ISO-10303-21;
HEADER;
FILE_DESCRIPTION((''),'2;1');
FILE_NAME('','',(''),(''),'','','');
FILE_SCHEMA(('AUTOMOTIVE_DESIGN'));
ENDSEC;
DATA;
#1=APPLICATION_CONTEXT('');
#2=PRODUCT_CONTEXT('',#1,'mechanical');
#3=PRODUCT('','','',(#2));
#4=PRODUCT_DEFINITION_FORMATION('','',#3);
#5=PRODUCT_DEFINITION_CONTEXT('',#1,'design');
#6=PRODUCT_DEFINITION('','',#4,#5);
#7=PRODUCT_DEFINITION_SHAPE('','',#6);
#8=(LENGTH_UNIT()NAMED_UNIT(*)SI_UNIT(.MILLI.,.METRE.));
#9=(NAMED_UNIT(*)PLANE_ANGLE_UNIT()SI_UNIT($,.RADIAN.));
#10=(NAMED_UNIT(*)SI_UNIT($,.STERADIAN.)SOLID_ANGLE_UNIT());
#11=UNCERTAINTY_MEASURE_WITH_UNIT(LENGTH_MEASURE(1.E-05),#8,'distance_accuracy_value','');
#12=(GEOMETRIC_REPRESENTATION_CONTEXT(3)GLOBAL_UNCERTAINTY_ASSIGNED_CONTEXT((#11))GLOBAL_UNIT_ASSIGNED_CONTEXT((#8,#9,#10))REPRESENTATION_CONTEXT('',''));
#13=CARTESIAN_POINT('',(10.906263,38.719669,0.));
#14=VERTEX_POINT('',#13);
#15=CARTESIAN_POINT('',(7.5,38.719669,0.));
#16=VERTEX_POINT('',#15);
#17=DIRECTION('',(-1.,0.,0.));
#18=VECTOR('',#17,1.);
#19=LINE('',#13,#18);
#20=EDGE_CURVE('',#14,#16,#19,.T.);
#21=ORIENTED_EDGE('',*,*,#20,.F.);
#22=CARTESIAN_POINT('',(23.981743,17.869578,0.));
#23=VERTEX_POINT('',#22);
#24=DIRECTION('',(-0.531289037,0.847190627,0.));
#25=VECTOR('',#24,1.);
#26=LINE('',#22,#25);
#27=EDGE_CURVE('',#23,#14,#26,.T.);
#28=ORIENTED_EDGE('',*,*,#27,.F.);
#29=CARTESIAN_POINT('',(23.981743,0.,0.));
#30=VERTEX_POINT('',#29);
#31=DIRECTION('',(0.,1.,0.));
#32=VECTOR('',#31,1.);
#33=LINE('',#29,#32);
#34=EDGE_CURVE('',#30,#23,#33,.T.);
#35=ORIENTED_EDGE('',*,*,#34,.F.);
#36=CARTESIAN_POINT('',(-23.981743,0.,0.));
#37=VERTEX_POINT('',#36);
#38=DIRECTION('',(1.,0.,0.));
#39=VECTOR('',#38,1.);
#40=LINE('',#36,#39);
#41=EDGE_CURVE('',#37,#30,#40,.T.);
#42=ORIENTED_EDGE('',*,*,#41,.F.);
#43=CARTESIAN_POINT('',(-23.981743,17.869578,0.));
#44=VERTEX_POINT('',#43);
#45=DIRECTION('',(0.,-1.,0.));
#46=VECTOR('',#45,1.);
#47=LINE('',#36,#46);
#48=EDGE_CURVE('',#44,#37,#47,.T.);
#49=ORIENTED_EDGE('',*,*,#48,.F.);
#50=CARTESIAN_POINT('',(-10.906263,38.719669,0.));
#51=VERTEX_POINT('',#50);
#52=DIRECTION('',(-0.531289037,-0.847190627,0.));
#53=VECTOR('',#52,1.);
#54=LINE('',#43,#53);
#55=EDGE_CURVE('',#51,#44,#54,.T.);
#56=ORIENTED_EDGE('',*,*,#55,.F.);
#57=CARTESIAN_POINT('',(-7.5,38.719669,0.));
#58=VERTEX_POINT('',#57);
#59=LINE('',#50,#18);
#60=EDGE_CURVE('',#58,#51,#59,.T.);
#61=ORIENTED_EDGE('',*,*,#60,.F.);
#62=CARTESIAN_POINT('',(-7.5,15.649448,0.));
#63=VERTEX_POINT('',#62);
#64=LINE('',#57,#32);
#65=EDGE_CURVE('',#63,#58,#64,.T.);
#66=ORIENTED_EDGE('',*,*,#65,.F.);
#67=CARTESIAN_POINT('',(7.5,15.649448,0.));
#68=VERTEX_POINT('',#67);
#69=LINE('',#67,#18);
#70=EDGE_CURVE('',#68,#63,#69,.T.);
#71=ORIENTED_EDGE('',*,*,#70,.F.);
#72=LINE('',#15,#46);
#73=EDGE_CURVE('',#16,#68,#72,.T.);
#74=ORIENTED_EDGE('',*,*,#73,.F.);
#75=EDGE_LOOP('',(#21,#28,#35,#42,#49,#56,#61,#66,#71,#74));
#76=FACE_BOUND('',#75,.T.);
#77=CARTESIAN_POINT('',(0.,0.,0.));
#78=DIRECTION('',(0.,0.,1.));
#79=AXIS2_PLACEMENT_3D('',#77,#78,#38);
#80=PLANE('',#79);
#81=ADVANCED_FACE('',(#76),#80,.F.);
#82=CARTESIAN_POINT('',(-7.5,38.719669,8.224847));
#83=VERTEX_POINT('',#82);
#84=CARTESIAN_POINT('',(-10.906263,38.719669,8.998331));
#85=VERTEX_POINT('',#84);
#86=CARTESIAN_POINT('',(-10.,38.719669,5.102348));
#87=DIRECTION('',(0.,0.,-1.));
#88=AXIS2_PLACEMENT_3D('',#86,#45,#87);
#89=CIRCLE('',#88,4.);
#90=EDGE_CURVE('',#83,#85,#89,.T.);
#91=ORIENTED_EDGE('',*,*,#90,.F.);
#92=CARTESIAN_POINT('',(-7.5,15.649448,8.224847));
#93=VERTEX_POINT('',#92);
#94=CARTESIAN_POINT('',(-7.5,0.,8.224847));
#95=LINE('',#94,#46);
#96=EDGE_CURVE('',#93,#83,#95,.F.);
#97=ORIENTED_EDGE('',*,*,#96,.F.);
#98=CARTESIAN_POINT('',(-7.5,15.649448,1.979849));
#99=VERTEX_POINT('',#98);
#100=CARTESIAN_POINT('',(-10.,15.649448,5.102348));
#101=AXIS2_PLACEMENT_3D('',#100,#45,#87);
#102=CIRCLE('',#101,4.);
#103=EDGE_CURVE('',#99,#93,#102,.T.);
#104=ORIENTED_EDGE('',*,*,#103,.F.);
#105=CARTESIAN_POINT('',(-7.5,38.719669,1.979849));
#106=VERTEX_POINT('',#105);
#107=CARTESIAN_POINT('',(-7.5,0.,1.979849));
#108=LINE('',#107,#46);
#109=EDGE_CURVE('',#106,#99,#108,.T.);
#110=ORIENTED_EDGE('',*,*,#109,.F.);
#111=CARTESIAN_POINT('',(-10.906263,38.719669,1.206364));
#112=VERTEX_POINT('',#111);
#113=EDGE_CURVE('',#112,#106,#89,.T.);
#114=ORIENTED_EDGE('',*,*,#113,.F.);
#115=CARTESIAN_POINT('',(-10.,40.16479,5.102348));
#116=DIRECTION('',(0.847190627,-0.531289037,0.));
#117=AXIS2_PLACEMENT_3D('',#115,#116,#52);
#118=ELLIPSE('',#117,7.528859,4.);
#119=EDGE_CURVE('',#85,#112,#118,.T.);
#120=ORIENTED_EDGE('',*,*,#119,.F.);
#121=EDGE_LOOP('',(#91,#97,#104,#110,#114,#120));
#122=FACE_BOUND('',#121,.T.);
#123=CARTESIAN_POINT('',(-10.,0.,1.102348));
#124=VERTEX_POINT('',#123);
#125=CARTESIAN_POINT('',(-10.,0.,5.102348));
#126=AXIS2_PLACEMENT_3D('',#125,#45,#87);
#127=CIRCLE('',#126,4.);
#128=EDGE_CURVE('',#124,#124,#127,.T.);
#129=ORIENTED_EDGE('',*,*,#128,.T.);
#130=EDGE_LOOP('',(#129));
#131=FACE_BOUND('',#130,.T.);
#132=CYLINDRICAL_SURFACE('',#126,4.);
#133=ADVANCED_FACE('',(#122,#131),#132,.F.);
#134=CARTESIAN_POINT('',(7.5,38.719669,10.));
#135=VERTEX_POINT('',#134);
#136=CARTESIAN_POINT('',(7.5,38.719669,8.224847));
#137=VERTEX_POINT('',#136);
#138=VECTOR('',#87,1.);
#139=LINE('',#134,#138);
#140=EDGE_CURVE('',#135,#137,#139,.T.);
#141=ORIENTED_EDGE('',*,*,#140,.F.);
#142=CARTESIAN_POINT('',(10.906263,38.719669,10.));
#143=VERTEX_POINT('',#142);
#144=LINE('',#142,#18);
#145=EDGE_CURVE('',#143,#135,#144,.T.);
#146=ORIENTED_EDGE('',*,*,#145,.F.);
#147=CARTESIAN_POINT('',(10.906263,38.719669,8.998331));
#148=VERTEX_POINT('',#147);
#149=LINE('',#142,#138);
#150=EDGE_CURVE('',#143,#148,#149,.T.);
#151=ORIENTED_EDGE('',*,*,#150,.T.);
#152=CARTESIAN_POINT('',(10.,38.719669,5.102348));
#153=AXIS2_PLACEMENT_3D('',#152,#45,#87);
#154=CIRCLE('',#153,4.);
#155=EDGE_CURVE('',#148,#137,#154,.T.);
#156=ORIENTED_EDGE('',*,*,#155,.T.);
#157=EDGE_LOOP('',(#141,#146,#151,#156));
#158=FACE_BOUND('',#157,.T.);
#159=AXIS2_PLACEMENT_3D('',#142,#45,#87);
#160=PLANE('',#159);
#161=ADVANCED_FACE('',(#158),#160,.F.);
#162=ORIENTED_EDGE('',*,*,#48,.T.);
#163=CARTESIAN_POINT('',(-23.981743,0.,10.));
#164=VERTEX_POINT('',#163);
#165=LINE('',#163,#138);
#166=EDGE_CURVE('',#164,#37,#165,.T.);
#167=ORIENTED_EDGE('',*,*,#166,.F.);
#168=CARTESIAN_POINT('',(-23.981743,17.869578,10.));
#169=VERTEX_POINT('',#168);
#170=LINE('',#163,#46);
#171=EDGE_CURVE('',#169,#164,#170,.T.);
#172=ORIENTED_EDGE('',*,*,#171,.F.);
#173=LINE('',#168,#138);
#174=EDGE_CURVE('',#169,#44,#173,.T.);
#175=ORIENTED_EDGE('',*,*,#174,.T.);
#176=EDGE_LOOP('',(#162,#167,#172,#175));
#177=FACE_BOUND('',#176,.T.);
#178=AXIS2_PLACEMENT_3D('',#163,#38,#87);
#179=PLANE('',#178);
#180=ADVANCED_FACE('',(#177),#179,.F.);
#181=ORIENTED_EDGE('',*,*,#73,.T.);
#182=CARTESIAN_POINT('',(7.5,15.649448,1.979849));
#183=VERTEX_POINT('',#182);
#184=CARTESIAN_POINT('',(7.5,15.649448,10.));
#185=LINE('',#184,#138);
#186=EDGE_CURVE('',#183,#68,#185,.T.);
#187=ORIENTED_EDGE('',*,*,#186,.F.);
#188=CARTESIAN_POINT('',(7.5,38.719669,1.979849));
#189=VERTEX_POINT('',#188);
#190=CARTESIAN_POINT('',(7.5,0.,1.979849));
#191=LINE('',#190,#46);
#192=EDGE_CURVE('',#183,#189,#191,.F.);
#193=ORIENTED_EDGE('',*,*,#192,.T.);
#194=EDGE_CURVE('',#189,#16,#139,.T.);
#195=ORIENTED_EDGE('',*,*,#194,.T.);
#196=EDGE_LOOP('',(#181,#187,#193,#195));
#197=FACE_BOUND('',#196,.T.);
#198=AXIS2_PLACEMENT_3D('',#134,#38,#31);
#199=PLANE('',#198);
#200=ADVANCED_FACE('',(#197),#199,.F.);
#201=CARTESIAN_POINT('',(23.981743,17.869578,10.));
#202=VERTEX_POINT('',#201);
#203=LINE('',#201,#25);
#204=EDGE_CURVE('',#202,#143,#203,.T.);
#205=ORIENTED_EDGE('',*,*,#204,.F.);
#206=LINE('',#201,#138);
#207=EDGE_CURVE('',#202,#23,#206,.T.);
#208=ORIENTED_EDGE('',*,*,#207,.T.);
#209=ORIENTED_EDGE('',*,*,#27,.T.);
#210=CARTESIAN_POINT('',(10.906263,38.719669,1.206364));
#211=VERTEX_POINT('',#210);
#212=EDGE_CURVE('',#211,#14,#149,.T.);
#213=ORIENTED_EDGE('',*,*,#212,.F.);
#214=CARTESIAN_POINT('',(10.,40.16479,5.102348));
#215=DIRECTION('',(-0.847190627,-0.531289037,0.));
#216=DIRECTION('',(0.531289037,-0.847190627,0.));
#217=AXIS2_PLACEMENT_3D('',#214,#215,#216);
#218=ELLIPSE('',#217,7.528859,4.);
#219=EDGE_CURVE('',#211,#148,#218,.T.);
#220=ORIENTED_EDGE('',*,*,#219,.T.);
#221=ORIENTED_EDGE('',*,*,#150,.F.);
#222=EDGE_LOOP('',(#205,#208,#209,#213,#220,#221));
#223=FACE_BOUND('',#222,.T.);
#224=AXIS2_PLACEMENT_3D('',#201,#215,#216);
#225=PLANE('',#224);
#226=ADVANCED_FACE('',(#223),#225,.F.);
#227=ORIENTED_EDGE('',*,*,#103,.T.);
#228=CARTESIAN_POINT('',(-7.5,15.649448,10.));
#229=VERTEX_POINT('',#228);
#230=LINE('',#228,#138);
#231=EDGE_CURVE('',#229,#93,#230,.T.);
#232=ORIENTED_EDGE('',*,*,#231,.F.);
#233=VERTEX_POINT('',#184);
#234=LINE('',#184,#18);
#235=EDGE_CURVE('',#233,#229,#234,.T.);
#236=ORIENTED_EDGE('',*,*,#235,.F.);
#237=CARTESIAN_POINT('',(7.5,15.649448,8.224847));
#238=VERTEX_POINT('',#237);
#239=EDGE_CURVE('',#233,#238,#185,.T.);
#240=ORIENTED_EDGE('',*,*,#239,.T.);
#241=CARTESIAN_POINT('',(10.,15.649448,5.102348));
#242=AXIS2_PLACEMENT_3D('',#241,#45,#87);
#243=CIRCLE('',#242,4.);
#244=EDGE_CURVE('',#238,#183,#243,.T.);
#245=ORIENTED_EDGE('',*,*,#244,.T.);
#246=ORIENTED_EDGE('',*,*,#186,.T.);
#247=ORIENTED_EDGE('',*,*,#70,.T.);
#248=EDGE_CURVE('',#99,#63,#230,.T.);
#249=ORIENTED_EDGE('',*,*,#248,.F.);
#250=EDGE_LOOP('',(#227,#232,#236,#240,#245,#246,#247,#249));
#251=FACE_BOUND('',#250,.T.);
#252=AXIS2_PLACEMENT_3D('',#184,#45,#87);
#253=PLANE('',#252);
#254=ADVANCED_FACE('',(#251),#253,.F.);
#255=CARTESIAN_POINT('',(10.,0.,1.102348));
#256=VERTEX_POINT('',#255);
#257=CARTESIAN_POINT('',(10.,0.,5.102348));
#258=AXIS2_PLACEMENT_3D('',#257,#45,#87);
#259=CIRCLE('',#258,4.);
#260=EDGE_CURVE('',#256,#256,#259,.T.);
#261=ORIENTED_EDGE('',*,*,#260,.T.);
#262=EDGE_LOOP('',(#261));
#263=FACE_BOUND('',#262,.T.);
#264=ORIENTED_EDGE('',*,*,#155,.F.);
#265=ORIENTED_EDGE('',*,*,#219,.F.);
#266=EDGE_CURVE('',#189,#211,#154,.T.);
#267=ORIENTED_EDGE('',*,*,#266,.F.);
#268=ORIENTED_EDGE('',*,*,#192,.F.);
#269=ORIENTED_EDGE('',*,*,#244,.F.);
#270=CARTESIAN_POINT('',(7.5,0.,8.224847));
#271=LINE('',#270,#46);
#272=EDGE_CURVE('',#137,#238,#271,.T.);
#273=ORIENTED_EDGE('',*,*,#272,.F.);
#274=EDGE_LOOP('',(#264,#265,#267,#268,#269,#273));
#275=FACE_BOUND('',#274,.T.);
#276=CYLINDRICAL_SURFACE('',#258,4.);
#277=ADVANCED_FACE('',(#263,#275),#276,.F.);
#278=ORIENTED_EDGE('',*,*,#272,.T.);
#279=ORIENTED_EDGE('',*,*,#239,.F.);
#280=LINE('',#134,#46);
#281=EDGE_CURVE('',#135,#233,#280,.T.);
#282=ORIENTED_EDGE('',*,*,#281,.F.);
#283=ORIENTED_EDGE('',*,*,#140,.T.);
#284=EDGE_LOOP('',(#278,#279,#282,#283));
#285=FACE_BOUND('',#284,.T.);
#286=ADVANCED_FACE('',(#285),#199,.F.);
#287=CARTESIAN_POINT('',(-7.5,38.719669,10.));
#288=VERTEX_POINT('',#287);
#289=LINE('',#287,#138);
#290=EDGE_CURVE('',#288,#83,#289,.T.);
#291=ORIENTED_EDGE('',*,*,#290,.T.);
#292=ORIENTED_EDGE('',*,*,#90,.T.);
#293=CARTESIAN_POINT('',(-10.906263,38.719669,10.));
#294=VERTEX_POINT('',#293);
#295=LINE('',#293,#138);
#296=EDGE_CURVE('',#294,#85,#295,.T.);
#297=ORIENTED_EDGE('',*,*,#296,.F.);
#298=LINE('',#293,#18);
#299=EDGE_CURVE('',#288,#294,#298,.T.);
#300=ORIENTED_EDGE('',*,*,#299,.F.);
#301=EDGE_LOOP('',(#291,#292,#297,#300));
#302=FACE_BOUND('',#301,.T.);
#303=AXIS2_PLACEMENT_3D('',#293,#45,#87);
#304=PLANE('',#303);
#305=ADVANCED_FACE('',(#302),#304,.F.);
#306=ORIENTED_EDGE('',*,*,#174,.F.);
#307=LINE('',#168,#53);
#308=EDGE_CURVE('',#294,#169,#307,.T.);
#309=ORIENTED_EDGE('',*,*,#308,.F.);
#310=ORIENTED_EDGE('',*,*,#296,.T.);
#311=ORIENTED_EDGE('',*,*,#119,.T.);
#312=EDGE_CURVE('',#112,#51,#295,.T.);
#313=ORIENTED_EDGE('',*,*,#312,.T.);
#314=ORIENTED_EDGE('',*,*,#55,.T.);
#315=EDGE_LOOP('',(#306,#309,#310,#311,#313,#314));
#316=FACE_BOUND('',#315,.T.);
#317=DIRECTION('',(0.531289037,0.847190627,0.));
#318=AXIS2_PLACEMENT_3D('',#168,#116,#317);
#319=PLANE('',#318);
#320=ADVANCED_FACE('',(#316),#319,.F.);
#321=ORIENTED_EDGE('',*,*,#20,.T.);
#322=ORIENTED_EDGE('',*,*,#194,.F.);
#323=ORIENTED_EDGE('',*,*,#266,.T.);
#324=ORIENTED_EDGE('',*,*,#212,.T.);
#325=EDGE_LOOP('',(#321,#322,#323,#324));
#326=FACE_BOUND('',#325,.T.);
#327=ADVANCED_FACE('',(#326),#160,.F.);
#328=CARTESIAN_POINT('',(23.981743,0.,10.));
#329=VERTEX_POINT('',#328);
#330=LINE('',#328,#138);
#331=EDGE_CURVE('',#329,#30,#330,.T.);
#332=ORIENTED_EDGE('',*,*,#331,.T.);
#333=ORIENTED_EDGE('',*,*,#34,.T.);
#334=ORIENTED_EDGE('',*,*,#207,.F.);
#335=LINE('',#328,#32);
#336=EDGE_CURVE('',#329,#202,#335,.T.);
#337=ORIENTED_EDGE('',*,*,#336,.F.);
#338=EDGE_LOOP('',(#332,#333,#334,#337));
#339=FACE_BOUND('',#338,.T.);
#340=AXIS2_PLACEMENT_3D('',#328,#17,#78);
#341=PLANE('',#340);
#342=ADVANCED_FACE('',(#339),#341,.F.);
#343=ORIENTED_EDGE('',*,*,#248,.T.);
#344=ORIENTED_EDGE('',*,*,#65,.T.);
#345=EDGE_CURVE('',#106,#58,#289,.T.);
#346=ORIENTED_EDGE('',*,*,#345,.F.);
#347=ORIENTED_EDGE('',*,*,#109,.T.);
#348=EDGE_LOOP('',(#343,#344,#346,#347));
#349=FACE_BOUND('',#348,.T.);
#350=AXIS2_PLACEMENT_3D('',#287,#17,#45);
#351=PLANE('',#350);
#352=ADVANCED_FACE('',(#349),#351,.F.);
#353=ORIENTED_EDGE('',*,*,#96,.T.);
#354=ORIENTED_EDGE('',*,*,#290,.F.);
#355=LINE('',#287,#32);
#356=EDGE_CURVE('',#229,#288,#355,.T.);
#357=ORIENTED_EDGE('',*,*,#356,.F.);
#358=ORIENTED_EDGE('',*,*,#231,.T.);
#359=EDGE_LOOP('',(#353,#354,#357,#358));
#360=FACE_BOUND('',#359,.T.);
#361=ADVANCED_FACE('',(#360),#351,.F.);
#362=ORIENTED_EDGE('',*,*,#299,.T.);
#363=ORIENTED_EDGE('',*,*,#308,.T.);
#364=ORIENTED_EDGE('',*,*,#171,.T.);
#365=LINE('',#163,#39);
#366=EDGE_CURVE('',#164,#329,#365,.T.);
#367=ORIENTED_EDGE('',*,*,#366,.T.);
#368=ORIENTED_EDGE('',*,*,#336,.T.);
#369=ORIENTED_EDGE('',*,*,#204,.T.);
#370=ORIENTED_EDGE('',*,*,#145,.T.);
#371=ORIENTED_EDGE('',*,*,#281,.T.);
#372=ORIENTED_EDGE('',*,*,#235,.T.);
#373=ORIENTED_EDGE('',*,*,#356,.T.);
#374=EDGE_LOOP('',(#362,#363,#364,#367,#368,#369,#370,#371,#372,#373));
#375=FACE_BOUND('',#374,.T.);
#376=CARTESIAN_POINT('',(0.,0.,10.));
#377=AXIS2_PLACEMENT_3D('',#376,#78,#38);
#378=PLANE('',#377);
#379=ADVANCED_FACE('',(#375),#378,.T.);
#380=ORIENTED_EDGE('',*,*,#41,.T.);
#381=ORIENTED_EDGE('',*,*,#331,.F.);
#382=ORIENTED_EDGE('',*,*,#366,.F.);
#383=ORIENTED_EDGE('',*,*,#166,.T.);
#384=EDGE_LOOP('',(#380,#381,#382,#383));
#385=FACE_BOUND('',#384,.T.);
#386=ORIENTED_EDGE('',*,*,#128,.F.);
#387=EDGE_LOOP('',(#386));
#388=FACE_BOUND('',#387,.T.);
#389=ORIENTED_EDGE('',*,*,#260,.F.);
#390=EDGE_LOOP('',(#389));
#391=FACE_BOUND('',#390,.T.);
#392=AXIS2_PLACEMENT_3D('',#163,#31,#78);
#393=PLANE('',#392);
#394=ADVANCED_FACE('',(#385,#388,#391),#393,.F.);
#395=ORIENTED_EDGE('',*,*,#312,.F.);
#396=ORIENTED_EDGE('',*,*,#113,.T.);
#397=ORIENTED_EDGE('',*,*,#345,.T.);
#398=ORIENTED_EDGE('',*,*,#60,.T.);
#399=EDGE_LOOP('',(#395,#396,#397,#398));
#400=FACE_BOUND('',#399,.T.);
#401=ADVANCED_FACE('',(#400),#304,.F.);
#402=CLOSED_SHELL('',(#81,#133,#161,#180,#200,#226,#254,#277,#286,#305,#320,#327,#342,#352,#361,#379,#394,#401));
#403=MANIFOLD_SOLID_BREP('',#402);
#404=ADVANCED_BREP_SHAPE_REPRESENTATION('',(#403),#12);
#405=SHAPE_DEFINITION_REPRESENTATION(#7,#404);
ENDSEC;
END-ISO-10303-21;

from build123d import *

# Parameters (mm, degrees)
BOSS_EXTRUDE1_DEPTH   = 10
F_8_0MM_DOWEL_HOLE1_D = 8


with BuildPart() as part:
    # Sketch1 → Boss-Extrude1 (new body)
    with BuildSketch(Plane.XY):
        Polygon((-23.981742881, 0), (23.981742881, 0), (23.981742881, 17.869578459), (10.906262583, 38.719668664), (7.5, 38.719668664), (7.5, 15.649448466), (-7.5, 15.649448466), (-7.5, 38.719668664), (-10.906262583, 38.719668664), (-23.981742881, 17.869578459), align=None)
    extrude(amount=BOSS_EXTRUDE1_DEPTH)

    # Ø8.0mm Dowel Hole1 (through all)
    with Locations(Plane(origin=(0, 0, 0), x_dir=(-1, 0, 0), z_dir=(0, -1, 0))):
        with Locations((10, -5.102347766), (-10, -5.102347766)):
            Hole(F_8_0MM_DOWEL_HOLE1_D / 2)


solid = part.part
